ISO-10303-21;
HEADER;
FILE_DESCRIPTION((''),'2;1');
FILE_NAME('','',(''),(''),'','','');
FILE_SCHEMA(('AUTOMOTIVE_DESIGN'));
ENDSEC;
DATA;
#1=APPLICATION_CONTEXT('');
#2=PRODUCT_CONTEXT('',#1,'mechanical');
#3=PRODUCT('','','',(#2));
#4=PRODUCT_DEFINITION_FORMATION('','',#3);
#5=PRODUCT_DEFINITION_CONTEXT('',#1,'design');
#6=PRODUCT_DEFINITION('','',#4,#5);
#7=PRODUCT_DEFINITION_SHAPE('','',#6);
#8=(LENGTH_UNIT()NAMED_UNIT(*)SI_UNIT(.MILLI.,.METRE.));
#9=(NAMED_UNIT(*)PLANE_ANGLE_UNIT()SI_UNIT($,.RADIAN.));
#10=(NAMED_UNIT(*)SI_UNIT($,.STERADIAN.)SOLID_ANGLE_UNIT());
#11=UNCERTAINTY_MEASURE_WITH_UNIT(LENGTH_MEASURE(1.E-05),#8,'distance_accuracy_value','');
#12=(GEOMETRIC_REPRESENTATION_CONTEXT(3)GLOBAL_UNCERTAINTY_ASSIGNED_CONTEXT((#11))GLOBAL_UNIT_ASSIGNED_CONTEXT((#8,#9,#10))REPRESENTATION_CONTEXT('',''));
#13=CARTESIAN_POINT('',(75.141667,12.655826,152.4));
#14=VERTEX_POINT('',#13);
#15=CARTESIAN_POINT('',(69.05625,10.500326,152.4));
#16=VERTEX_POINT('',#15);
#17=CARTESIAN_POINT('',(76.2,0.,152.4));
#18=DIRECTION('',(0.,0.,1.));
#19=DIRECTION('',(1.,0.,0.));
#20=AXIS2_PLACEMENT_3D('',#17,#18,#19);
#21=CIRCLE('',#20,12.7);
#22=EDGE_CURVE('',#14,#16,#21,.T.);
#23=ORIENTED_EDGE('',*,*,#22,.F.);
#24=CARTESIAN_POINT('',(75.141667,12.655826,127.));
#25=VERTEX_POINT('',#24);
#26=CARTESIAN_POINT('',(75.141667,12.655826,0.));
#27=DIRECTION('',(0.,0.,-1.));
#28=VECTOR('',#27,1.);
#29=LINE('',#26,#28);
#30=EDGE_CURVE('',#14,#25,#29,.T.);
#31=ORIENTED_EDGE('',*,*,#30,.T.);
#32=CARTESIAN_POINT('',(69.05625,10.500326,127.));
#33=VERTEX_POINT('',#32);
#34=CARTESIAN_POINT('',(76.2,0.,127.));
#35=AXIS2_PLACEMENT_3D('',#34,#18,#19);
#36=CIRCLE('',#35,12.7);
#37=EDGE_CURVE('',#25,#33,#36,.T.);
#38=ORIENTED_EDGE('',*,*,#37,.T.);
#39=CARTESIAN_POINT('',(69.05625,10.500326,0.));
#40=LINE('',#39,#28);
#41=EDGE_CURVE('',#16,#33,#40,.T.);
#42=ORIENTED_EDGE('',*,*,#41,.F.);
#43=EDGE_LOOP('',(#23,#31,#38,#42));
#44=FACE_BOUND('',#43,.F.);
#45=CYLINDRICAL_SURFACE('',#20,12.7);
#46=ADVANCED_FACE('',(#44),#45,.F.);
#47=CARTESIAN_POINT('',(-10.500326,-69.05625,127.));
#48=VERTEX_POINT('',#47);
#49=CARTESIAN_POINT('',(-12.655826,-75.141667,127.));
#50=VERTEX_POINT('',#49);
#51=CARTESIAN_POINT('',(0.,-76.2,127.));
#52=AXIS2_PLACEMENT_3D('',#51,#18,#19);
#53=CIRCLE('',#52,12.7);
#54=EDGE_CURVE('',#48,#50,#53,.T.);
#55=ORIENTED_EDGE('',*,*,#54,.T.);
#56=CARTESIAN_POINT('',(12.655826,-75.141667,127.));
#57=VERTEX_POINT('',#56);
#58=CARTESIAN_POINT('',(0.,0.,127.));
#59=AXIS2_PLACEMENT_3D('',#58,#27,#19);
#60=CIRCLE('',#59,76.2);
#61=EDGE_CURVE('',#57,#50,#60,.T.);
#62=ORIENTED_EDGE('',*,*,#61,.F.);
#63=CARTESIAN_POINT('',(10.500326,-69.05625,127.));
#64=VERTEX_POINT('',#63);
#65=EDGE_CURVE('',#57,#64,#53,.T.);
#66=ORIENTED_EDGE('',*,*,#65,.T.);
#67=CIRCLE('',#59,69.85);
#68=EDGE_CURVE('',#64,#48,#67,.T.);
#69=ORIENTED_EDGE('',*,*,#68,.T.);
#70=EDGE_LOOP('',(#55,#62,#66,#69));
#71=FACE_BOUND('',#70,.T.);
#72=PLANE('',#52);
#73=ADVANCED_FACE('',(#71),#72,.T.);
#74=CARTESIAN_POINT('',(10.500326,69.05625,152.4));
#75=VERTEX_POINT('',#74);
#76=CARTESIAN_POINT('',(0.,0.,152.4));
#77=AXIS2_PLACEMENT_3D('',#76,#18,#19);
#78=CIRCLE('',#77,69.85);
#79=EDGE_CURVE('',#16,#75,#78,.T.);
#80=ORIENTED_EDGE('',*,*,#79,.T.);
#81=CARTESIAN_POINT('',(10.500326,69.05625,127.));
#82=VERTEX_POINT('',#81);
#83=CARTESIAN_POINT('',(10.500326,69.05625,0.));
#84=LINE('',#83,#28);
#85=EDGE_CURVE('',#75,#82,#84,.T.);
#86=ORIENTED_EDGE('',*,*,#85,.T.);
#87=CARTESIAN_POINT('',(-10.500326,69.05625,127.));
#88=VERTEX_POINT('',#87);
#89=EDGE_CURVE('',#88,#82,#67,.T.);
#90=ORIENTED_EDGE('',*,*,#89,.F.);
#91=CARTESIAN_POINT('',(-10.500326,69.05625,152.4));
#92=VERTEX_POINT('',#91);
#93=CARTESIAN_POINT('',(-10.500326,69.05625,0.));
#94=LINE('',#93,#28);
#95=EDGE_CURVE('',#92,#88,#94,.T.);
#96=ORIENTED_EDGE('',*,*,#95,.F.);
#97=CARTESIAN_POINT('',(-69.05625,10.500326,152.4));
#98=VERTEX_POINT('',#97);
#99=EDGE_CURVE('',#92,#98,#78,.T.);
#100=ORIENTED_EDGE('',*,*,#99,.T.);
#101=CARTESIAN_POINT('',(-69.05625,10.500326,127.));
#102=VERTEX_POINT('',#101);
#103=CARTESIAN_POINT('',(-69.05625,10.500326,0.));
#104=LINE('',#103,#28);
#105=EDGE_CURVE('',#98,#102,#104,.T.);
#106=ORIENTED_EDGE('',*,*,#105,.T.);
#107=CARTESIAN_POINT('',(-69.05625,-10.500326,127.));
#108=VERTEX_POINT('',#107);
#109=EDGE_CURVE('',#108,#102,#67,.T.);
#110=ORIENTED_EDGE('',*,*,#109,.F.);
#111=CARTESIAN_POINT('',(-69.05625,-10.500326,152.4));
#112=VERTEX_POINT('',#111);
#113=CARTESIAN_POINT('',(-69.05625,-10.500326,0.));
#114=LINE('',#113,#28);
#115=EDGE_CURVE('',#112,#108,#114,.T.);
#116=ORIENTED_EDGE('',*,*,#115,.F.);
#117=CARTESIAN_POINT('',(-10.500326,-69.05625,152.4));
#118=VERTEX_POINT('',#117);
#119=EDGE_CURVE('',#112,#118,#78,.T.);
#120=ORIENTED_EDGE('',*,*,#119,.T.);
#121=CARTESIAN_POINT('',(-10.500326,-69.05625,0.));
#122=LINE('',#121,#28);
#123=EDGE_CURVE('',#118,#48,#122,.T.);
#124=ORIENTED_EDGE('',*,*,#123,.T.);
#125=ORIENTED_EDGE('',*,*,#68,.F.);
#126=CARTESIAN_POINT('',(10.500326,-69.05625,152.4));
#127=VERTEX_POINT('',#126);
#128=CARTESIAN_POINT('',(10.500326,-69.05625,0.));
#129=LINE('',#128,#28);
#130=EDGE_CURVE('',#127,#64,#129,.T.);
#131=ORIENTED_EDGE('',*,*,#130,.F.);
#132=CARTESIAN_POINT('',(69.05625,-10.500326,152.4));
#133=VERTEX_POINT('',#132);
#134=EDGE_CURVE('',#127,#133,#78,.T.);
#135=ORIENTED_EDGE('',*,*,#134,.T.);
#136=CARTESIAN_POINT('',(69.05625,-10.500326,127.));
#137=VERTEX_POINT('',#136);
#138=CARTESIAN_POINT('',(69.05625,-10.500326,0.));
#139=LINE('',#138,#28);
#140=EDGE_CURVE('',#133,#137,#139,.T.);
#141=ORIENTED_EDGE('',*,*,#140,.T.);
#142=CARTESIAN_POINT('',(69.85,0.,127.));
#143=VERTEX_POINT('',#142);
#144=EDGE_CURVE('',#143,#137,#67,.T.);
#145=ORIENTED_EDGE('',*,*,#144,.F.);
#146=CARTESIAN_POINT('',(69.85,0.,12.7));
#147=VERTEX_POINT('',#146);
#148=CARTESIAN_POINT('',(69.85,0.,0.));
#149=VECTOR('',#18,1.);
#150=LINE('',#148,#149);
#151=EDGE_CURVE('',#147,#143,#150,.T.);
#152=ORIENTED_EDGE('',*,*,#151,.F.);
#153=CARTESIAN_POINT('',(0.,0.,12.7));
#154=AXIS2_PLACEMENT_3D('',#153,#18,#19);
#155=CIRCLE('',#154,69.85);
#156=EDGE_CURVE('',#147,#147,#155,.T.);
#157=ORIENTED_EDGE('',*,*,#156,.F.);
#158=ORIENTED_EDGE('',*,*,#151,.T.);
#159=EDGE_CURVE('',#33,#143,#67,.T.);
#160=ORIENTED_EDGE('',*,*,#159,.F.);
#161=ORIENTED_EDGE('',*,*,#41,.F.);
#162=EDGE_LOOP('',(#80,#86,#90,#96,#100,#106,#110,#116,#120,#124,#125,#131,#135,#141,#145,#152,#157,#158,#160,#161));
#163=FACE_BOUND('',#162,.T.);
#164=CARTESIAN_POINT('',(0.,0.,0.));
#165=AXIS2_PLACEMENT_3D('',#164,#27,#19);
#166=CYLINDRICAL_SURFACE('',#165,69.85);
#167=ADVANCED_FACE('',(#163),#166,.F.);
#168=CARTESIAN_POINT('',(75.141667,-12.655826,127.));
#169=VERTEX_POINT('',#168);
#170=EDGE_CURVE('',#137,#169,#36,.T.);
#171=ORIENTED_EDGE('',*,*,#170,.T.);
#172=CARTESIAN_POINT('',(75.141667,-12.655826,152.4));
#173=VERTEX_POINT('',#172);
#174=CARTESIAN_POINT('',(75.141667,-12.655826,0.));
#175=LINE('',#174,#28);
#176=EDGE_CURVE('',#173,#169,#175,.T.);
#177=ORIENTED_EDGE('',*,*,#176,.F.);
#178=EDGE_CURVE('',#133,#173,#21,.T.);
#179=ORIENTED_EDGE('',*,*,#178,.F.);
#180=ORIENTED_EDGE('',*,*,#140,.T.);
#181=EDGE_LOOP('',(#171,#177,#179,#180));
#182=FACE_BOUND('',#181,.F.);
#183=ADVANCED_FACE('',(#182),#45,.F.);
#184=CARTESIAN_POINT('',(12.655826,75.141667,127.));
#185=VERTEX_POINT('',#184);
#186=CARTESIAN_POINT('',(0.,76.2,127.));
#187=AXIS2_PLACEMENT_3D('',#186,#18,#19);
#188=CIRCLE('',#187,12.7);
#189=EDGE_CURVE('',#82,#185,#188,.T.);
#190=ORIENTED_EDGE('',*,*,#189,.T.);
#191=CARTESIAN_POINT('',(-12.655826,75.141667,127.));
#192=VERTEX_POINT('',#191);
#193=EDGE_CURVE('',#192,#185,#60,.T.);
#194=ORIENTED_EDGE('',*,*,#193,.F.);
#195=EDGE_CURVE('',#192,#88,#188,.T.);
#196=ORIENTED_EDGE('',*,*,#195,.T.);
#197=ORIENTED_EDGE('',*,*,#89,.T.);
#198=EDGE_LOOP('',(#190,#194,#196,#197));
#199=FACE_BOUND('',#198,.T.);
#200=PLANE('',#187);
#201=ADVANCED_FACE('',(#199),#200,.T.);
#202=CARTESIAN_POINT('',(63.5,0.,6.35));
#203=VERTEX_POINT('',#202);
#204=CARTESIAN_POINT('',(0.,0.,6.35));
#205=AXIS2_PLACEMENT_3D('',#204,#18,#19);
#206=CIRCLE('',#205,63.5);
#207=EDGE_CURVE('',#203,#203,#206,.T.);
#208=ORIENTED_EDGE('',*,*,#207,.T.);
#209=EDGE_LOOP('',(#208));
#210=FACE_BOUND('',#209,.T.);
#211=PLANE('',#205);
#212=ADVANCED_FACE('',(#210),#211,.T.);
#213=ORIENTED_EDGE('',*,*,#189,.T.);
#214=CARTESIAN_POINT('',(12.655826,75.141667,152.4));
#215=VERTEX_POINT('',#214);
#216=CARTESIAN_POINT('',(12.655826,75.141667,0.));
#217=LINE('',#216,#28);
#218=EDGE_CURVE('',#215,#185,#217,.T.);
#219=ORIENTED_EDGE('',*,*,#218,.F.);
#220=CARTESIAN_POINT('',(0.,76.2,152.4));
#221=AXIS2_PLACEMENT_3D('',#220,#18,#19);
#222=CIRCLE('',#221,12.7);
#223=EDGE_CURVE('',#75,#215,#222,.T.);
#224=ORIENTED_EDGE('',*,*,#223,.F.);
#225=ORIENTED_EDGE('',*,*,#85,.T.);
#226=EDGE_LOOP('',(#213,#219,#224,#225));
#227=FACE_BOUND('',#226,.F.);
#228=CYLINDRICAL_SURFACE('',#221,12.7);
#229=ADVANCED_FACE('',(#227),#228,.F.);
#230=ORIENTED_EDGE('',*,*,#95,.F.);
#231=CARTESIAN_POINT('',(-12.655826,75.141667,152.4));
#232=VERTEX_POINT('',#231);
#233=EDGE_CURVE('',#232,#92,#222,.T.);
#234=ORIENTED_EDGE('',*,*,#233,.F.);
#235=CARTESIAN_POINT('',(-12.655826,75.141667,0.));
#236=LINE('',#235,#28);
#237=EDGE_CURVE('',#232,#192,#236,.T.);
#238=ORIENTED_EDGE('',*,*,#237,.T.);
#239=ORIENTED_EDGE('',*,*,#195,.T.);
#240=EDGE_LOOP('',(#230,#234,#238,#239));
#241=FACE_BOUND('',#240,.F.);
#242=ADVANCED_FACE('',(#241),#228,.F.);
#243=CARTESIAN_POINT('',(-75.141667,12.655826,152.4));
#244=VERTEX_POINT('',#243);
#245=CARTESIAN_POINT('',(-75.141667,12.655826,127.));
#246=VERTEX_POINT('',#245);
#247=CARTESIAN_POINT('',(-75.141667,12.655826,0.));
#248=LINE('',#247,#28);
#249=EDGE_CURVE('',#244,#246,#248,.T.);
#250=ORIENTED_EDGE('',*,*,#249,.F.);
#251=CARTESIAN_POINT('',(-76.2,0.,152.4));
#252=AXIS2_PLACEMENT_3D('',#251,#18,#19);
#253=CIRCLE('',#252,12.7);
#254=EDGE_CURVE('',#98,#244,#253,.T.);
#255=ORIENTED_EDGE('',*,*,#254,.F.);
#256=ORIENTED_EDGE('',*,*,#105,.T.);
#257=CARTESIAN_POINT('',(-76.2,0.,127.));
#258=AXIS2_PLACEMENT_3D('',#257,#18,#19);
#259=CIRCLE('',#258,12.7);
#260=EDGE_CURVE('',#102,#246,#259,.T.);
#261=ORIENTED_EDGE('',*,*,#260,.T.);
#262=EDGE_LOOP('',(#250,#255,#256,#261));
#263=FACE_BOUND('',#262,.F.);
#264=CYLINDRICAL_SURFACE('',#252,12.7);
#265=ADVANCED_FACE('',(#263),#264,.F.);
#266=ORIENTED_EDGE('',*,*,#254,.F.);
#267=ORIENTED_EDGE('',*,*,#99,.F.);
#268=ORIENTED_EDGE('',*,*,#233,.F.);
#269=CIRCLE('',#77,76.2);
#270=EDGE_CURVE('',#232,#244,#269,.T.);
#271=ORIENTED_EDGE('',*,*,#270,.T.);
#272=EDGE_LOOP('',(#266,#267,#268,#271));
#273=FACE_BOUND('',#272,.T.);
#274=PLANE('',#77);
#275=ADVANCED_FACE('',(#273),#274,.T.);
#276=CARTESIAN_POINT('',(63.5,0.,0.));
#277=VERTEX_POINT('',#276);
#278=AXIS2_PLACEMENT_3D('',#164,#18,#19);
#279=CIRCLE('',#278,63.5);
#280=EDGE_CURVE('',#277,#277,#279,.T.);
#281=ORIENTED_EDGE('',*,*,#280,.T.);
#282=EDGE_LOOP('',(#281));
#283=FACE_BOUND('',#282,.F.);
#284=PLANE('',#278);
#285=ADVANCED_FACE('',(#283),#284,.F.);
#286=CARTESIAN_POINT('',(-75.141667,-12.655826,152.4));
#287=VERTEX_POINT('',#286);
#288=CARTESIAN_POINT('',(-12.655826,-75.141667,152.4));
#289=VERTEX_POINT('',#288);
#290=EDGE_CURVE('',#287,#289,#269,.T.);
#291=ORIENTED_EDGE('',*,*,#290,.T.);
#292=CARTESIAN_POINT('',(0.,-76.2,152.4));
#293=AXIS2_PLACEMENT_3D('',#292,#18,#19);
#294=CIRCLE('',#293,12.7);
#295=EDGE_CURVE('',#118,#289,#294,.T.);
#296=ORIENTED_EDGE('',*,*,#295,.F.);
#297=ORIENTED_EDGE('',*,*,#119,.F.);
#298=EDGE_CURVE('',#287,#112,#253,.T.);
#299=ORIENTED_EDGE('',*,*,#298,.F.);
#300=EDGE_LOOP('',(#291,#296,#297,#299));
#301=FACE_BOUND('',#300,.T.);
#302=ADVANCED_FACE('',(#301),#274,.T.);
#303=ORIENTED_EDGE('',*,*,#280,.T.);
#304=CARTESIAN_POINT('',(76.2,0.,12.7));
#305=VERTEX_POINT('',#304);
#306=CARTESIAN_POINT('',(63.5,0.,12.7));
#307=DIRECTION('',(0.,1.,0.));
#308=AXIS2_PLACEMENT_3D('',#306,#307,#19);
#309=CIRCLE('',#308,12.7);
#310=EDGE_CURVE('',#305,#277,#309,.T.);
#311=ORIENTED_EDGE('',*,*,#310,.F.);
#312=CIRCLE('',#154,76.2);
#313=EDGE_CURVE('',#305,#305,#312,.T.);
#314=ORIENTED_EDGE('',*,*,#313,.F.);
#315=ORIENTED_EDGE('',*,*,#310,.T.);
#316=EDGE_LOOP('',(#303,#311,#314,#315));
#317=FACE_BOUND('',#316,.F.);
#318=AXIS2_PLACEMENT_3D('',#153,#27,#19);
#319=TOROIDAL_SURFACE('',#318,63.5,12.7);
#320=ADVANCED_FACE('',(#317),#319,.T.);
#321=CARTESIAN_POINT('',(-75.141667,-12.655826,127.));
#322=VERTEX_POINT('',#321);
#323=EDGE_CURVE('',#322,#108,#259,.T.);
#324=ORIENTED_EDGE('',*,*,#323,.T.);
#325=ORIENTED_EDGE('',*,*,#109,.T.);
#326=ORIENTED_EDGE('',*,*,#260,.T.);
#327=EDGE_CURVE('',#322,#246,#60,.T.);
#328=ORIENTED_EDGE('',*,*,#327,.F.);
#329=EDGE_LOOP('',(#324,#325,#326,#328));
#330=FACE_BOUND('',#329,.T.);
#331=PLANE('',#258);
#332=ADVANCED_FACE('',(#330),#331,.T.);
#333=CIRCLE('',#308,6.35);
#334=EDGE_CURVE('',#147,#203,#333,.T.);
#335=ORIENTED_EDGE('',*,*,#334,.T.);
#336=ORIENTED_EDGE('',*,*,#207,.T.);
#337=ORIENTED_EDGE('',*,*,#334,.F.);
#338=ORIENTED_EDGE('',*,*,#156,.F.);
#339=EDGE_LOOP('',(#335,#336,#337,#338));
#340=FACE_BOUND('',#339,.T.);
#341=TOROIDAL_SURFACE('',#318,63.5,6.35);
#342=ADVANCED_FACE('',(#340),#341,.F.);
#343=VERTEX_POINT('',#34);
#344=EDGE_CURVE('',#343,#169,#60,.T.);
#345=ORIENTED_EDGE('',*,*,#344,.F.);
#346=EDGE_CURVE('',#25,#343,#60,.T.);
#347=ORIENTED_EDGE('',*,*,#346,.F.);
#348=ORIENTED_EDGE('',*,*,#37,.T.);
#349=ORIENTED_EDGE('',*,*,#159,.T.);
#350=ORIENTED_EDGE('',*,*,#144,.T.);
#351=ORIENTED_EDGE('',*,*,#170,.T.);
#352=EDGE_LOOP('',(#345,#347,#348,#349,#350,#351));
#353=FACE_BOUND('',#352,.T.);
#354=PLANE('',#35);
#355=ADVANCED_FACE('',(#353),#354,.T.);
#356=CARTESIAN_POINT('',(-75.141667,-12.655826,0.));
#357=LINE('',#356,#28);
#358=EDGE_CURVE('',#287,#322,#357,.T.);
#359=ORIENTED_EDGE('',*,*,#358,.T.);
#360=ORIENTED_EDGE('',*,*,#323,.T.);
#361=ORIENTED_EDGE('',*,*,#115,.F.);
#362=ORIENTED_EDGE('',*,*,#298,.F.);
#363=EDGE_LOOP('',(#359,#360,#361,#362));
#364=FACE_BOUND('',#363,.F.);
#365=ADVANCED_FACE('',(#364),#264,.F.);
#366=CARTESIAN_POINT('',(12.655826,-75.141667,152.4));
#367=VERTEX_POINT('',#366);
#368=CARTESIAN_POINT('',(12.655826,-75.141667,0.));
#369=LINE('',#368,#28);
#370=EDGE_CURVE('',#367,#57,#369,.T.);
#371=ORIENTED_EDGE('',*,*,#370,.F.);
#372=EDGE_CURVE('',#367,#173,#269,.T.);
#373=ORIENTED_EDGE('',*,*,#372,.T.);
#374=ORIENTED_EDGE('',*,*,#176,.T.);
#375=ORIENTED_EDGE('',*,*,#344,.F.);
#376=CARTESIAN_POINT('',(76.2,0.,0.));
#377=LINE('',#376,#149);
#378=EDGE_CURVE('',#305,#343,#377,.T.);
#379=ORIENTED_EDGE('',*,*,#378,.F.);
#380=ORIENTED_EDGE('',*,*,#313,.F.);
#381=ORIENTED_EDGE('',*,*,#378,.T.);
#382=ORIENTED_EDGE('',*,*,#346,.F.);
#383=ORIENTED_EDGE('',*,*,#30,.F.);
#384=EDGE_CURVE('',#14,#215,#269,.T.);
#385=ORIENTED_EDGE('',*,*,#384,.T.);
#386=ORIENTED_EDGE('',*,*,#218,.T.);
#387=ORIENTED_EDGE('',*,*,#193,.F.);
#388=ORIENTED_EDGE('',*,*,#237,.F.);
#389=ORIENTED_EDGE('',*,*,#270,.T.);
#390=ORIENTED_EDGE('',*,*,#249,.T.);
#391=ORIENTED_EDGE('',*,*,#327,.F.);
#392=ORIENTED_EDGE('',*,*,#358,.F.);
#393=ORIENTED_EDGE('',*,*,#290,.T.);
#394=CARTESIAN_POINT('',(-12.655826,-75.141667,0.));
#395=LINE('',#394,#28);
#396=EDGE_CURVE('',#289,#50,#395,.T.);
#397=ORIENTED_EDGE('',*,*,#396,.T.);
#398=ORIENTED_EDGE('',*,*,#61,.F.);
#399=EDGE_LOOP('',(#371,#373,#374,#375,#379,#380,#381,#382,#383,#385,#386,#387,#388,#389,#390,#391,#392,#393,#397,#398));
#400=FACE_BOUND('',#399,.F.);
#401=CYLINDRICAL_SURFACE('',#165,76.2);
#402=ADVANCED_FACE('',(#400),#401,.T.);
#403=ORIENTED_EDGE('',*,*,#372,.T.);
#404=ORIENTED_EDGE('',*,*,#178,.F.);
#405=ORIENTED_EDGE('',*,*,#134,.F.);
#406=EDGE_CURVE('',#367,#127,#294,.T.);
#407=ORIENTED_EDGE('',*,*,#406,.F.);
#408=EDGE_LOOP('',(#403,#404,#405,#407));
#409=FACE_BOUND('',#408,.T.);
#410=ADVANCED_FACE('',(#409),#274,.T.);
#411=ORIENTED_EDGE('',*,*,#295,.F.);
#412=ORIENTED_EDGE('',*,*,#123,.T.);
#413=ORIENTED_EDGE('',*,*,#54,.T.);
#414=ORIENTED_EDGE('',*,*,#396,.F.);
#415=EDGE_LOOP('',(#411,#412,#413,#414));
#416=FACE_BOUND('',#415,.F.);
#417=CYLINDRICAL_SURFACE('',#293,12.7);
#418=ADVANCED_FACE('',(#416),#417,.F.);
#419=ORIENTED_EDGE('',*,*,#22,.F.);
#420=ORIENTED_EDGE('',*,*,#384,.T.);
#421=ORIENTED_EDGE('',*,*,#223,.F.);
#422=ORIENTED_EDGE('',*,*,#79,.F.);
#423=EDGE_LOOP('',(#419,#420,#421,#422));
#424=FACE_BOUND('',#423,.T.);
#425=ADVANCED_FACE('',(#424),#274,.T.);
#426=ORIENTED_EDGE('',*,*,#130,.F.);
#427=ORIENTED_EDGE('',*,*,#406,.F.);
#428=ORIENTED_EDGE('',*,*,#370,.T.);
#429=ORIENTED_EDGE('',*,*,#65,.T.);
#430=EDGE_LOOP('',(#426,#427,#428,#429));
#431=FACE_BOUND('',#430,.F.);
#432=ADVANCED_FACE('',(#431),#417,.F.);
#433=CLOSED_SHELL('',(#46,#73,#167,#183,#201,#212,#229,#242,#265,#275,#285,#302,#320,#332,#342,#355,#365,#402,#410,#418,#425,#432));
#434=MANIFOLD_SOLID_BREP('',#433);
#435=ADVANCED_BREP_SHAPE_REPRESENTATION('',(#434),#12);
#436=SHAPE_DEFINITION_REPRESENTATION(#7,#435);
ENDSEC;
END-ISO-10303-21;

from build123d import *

# Parameters (mm, degrees)
F0_R     = 76.2
F1_DEPTH = 152.4
F2_R     = 12.7
F3_T     = -6.35
F4_R     = 12.7
F5_DEPTH = 25.4


with BuildPart() as f1:
    # F0 (on Top) → F1 (new body)
    with BuildSketch(Plane.XY):
        Circle(F0_R)
    extrude(amount=F1_DEPTH)

    # F2
    f2_edges = [f1.edges().sort_by_distance(p)[0] for p in [
        (-76.2, 0, 0),
    ]]
    fillet(f2_edges, radius=F2_R)

    # F3
    f3_openings = [f1.faces().sort_by_distance(p)[0] for p in [
        (0, 0, 152.4),
    ]]
    offset(amount=F3_T, openings=f3_openings)

    # F4 (on face) → F5 (cut)
    with BuildSketch(Plane.XY.offset(152.4)):
        with Locations((0, 76.2)):
            Circle(F4_R)
        with Locations((-76.2, 0)):
            Circle(F4_R)
        with Locations((0, -76.2)):
            Circle(F4_R)
        with Locations((76.2, 0)):
            Circle(F4_R)
    extrude(amount=-F5_DEPTH, mode=Mode.SUBTRACT)


solid = f1.part
